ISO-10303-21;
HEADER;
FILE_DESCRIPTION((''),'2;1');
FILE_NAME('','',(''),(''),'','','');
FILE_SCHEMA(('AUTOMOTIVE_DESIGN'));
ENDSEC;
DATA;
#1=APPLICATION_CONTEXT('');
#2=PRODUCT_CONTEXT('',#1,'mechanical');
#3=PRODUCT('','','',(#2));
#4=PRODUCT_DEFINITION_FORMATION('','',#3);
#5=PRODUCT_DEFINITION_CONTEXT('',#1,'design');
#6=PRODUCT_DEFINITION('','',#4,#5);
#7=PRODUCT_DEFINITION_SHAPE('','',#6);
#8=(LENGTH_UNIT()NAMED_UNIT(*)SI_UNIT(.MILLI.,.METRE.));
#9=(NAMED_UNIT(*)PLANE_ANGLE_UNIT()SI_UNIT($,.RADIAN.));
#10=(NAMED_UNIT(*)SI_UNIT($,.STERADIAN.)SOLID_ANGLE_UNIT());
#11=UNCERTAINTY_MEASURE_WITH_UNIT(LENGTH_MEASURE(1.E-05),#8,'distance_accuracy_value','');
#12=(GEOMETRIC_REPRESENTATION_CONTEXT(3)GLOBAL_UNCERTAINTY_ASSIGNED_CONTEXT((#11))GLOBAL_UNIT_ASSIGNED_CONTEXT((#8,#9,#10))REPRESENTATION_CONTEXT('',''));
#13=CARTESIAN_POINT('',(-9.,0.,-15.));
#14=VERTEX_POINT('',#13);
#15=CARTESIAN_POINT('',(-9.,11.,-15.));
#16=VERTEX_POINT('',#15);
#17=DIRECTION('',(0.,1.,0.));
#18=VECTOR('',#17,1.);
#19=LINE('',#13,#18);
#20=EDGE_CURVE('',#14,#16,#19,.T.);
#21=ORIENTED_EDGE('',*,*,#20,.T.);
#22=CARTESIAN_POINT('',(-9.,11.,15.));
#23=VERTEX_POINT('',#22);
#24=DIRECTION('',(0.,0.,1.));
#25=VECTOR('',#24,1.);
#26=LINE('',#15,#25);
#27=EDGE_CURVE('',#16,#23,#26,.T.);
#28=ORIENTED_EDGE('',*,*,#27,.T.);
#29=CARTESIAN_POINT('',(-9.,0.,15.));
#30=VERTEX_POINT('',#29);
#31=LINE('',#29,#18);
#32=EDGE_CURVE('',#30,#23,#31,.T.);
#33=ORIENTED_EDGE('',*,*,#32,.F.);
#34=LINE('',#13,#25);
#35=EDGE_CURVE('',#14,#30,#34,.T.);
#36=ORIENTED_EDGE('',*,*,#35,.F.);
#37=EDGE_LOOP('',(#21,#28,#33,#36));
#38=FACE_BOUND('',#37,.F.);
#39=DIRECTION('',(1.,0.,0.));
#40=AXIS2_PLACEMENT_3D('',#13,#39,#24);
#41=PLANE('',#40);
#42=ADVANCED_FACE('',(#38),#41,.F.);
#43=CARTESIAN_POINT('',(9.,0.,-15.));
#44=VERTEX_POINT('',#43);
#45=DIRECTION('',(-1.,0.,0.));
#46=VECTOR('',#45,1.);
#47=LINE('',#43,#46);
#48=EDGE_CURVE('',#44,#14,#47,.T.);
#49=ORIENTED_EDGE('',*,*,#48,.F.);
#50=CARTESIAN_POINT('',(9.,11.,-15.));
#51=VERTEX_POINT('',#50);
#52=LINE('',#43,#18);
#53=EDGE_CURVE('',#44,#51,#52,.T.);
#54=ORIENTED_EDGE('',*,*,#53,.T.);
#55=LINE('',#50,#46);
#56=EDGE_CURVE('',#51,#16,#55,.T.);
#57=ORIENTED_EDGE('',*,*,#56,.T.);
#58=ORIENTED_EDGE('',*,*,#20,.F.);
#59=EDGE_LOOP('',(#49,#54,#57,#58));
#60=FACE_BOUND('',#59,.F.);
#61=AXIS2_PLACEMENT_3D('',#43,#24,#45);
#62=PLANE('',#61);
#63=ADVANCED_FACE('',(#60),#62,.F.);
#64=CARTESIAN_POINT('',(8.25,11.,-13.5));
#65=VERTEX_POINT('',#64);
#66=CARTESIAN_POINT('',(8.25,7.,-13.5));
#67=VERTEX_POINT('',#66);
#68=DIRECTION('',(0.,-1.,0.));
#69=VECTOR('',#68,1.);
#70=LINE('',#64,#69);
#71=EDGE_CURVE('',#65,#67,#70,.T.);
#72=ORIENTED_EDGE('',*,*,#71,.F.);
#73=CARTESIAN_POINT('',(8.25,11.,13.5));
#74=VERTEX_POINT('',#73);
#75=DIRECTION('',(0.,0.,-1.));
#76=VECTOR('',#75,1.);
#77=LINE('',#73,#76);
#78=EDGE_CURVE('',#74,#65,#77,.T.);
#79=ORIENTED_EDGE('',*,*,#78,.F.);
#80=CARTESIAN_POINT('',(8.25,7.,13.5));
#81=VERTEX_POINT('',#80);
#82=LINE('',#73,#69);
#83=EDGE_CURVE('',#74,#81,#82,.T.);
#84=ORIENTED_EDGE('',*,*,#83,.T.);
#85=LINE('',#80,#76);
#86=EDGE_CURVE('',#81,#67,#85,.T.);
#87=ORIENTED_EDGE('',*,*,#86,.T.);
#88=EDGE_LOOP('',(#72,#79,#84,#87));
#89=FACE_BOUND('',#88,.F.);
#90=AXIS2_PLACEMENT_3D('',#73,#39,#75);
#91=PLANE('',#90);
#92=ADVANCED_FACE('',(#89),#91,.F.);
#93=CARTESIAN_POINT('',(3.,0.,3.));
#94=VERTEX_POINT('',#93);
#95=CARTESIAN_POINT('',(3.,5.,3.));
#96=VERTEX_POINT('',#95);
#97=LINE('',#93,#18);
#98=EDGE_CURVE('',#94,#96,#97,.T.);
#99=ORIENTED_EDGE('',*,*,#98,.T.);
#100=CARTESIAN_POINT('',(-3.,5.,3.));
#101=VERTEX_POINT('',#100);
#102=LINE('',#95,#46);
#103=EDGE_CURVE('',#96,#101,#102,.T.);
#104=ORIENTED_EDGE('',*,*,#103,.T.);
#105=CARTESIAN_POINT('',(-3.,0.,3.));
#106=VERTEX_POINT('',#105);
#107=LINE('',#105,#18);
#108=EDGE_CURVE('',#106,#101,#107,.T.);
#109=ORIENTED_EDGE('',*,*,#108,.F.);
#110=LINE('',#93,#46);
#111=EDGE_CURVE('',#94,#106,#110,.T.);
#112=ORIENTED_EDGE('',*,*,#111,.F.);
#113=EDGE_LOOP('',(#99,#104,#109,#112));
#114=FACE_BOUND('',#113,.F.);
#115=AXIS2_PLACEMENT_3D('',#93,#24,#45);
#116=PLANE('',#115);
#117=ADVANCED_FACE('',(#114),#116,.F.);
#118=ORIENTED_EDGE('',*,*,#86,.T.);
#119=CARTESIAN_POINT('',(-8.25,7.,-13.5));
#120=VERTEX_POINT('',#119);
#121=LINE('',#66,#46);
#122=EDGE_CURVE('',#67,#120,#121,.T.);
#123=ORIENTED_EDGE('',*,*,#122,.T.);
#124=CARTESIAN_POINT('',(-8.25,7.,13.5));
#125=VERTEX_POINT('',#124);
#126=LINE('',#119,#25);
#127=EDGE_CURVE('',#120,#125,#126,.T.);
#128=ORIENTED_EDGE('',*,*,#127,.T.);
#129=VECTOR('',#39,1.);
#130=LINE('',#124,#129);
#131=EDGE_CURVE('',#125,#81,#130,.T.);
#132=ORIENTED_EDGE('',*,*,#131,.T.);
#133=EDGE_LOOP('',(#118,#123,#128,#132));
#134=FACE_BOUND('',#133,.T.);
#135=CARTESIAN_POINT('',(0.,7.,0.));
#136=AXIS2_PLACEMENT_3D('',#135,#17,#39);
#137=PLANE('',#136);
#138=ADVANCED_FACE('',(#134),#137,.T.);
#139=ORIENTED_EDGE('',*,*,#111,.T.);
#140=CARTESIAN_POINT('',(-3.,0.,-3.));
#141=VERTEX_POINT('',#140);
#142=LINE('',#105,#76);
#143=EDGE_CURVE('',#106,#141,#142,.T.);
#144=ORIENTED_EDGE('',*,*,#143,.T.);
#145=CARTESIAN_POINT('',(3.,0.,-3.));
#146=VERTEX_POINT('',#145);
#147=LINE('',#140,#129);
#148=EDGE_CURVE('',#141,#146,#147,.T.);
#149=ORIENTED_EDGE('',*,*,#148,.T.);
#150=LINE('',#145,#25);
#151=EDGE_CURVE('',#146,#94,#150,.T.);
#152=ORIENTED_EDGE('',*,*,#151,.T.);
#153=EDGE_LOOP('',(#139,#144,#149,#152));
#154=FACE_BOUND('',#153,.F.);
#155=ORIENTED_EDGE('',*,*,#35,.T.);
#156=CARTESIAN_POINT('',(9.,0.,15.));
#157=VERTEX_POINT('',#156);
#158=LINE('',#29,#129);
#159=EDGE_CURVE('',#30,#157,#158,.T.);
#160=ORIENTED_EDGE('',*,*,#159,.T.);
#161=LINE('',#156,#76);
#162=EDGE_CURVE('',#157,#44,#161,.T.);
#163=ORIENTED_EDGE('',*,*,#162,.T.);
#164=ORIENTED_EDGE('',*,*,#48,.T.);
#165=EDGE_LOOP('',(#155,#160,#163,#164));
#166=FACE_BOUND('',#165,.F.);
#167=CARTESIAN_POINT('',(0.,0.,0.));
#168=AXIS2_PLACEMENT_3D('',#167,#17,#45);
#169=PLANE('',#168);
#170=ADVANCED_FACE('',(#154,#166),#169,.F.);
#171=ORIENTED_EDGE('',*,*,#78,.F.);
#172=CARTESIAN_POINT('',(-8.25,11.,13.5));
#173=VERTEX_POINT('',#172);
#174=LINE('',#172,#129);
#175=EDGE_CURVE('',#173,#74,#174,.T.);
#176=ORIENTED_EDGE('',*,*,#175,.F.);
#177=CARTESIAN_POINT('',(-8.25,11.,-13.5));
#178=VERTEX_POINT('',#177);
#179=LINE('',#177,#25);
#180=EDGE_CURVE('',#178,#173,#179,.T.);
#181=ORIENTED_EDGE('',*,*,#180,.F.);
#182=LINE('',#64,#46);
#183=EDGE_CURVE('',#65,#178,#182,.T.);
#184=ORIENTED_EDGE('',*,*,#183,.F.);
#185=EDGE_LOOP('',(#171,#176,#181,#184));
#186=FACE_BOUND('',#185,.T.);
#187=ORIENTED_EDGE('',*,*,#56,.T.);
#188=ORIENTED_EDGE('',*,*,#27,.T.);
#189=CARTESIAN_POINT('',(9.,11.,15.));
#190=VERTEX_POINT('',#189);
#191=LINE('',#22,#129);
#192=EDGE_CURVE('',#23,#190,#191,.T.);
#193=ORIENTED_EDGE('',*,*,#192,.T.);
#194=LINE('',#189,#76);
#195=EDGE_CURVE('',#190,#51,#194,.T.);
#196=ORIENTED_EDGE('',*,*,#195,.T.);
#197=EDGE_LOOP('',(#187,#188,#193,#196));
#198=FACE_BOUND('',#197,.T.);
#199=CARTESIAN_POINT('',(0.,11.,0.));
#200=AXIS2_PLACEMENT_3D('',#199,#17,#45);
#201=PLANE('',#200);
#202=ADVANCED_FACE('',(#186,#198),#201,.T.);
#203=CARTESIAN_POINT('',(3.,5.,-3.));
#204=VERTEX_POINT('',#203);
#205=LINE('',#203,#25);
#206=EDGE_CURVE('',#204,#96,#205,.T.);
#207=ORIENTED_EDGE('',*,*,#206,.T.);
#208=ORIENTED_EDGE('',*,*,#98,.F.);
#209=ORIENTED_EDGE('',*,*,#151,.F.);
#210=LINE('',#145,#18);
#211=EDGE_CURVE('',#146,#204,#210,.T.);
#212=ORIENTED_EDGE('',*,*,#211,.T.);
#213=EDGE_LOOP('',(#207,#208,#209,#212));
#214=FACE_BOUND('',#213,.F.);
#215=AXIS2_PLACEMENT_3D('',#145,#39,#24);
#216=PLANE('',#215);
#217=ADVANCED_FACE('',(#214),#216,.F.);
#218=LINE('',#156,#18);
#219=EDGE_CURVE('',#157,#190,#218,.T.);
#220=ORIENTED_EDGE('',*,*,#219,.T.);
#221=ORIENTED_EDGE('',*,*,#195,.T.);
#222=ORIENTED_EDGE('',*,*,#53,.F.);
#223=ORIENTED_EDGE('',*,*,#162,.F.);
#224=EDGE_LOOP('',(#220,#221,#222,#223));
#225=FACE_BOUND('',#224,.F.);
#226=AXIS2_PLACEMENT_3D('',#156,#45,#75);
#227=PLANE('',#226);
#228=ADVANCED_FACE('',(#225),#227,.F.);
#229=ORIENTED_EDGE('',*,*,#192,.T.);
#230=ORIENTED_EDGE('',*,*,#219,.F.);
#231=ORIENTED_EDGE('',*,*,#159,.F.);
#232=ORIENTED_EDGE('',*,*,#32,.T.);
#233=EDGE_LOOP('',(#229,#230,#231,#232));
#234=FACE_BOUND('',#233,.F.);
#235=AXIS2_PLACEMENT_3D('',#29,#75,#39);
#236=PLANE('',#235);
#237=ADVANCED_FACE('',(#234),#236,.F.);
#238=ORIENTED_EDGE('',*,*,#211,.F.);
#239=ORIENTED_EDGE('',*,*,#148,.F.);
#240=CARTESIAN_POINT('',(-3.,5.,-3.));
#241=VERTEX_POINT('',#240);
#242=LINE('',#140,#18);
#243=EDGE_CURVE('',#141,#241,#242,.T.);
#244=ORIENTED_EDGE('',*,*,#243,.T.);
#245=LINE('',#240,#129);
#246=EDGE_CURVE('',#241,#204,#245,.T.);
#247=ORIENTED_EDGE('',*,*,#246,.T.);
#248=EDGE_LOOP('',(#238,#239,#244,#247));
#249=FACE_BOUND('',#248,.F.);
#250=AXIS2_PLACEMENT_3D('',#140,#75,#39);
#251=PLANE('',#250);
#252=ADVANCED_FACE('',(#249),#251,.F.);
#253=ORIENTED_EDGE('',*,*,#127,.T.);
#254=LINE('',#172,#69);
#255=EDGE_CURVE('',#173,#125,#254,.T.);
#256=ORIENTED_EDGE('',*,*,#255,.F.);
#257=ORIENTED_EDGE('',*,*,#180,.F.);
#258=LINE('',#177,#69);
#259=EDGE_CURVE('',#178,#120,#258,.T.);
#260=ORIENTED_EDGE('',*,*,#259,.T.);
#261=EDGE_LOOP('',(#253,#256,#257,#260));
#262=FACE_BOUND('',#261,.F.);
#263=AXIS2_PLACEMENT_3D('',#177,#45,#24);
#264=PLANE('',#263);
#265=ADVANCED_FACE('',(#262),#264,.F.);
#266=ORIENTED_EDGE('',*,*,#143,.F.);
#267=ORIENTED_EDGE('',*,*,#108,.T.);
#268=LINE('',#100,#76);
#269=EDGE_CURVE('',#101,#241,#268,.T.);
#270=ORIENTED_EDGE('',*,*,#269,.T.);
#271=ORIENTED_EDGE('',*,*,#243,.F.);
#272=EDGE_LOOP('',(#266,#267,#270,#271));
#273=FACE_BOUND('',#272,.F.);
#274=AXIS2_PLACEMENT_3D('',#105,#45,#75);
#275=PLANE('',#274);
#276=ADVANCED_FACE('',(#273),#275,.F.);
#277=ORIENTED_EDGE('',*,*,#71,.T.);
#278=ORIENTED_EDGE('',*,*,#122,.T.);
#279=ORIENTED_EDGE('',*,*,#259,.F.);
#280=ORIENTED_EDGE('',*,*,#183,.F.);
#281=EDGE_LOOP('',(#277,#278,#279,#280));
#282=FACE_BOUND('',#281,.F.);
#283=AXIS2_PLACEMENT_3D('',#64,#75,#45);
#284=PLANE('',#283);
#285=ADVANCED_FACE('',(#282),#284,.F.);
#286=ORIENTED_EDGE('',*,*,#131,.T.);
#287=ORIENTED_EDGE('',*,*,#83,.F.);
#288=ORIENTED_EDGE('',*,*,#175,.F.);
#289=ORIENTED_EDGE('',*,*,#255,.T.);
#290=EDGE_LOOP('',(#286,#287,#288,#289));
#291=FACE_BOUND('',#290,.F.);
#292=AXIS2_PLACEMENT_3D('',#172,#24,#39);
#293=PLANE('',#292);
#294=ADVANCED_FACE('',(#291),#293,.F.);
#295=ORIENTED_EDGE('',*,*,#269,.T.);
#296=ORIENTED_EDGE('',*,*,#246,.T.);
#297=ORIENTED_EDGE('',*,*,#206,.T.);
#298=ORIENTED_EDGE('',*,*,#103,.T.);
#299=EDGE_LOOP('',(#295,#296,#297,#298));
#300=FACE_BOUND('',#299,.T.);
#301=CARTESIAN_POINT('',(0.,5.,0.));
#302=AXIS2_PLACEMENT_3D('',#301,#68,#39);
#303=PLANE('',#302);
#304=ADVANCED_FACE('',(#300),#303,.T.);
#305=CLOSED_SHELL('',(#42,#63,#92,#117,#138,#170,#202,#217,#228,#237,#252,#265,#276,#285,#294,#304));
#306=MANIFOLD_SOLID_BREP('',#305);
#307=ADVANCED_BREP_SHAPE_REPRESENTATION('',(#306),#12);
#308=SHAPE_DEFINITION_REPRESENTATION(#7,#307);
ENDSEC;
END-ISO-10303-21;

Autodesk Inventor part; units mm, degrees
ref_plane "YZ Plane" through (0, 0, 0) normal (1, 0, 0) x (0, 1, 0)
ref_plane "XZ Plane" through (0, 0, 0) normal (0, 1, 0) x (-1, 0, 0)
ref_plane "XY Plane" through (0, 0, 0) normal (0, 0, 1) x (1, 0, 0)
sketch "Sketch1" plane through (0, 0, 0) normal (0, 1, 0) x (-1, 0, 0)
  line L0 (9, 15) -> (-9, 15)
  line L1 (-9, 15) -> (-9, -15)
  line L2 (-9, -15) -> (9, -15)
  line L3 (9, -15) -> (9, 15)
  point P0 (0, 0)
  dimension "d0" = 30
  dimension "d1" = 18
  dimension "d7" = 15
  dimension "d8" = 9
extrude "Extrusion1" add sketch "Sketch1" along normal blind 11
sketch "Sketch2" plane through (0, 11, 0) normal (0, 1, 0) x (1, 0, 0)
  line L0 (-8.25, -13.5) -> (8.25, -13.5)
  line L1 (8.25, -13.5) -> (8.25, 13.5)
  line L2 (8.25, 13.5) -> (-8.25, 13.5)
  line L3 (-8.25, 13.5) -> (-8.25, -13.5)
  point P0 (0, 0)
  dimension "d4" = 27
  dimension "d5" = 16.5
  dimension "d6" = 13.5
  dimension "d9" = 8.25
extrude "Extrusion2" cut sketch "Sketch2" against normal blind 4
sketch "Sketch3" plane through (0, 0, 0) normal (0, -1, 0) x (1, 0, 0)
  line L0 (3, 3) -> (-3, 3)
  line L1 (-3, 3) -> (-3, -3)
  line L2 (-3, -3) -> (3, -3)
  line L3 (3, -3) -> (3, 3)
  point P0 (0, 0)
  dimension "d12" = 6
  dimension "d13" = 6
  dimension "d14" = 3
  dimension "d15" = 3
extrude "Extrusion3" cut sketch "Sketch3" against normal blind 5
equation "\"d7\" = 0.5 * d0"
equation "\"d8\" = 0.5 * d1"
equation "\"d6\" = 0.5 * d4"
equation "\"d9\" = 0.5 * d5"
equation "\"d14\" = 0.5 * d12"
equation "\"d15\" = 0.5 * d13"
properties part number "holder"
